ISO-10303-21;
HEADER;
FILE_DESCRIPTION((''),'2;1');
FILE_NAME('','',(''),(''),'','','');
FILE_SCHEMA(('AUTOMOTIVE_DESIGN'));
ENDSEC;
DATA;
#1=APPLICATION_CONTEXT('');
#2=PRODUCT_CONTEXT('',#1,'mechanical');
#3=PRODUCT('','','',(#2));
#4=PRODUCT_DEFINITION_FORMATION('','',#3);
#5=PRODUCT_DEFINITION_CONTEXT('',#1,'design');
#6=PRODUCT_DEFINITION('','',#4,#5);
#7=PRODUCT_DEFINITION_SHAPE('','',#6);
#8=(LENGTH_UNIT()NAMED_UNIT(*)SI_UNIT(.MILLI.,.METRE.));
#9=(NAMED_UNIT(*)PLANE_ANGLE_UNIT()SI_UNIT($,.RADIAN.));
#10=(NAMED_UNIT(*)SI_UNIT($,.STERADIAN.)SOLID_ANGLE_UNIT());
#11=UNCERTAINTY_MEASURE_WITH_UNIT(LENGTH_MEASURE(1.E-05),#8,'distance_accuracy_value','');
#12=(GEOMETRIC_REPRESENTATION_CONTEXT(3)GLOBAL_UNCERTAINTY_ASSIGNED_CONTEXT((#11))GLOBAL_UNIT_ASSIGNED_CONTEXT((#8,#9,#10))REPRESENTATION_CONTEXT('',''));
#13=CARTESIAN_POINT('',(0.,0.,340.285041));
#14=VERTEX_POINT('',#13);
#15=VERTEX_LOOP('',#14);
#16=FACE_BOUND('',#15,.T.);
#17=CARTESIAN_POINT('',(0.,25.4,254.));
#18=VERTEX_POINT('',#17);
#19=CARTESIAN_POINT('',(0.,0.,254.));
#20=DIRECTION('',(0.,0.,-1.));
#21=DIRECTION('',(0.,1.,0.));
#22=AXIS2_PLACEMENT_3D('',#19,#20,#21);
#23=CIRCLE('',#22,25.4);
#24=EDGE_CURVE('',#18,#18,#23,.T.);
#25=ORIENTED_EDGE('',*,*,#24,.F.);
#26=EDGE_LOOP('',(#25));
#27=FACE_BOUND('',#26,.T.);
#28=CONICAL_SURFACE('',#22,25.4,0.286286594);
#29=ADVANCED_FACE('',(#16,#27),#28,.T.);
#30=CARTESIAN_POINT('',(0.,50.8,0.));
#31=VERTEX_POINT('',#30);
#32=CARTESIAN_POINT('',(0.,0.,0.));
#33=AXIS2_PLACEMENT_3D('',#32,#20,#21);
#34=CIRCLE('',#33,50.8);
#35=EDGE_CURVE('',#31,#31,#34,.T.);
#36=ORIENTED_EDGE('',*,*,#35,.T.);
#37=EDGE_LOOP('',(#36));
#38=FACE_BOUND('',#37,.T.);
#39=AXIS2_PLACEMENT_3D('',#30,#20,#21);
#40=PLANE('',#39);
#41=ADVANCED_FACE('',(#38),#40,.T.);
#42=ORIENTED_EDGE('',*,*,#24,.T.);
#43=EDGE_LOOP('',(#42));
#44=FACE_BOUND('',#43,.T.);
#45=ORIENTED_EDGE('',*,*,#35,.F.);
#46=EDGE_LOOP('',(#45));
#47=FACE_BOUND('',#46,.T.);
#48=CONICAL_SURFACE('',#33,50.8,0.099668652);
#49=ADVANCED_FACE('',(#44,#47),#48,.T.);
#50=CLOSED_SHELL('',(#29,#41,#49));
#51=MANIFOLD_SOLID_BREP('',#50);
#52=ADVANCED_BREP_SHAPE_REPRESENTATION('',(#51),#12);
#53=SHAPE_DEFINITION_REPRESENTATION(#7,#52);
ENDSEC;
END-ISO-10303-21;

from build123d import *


with BuildPart() as part:
    # Sketch1 → Revolve1 (revolve)
    with BuildSketch(Plane(origin=(0, 0, 0), x_dir=(0, 0, -1), z_dir=(1, 0, 0))):
        Polygon((0, 50.8), (0, 0), (-340.285040562, 0), (-254, 25.4), align=None)
    revolve(axis=Axis((0, 0, 0), (0, 0, 1)))


solid = part.part
